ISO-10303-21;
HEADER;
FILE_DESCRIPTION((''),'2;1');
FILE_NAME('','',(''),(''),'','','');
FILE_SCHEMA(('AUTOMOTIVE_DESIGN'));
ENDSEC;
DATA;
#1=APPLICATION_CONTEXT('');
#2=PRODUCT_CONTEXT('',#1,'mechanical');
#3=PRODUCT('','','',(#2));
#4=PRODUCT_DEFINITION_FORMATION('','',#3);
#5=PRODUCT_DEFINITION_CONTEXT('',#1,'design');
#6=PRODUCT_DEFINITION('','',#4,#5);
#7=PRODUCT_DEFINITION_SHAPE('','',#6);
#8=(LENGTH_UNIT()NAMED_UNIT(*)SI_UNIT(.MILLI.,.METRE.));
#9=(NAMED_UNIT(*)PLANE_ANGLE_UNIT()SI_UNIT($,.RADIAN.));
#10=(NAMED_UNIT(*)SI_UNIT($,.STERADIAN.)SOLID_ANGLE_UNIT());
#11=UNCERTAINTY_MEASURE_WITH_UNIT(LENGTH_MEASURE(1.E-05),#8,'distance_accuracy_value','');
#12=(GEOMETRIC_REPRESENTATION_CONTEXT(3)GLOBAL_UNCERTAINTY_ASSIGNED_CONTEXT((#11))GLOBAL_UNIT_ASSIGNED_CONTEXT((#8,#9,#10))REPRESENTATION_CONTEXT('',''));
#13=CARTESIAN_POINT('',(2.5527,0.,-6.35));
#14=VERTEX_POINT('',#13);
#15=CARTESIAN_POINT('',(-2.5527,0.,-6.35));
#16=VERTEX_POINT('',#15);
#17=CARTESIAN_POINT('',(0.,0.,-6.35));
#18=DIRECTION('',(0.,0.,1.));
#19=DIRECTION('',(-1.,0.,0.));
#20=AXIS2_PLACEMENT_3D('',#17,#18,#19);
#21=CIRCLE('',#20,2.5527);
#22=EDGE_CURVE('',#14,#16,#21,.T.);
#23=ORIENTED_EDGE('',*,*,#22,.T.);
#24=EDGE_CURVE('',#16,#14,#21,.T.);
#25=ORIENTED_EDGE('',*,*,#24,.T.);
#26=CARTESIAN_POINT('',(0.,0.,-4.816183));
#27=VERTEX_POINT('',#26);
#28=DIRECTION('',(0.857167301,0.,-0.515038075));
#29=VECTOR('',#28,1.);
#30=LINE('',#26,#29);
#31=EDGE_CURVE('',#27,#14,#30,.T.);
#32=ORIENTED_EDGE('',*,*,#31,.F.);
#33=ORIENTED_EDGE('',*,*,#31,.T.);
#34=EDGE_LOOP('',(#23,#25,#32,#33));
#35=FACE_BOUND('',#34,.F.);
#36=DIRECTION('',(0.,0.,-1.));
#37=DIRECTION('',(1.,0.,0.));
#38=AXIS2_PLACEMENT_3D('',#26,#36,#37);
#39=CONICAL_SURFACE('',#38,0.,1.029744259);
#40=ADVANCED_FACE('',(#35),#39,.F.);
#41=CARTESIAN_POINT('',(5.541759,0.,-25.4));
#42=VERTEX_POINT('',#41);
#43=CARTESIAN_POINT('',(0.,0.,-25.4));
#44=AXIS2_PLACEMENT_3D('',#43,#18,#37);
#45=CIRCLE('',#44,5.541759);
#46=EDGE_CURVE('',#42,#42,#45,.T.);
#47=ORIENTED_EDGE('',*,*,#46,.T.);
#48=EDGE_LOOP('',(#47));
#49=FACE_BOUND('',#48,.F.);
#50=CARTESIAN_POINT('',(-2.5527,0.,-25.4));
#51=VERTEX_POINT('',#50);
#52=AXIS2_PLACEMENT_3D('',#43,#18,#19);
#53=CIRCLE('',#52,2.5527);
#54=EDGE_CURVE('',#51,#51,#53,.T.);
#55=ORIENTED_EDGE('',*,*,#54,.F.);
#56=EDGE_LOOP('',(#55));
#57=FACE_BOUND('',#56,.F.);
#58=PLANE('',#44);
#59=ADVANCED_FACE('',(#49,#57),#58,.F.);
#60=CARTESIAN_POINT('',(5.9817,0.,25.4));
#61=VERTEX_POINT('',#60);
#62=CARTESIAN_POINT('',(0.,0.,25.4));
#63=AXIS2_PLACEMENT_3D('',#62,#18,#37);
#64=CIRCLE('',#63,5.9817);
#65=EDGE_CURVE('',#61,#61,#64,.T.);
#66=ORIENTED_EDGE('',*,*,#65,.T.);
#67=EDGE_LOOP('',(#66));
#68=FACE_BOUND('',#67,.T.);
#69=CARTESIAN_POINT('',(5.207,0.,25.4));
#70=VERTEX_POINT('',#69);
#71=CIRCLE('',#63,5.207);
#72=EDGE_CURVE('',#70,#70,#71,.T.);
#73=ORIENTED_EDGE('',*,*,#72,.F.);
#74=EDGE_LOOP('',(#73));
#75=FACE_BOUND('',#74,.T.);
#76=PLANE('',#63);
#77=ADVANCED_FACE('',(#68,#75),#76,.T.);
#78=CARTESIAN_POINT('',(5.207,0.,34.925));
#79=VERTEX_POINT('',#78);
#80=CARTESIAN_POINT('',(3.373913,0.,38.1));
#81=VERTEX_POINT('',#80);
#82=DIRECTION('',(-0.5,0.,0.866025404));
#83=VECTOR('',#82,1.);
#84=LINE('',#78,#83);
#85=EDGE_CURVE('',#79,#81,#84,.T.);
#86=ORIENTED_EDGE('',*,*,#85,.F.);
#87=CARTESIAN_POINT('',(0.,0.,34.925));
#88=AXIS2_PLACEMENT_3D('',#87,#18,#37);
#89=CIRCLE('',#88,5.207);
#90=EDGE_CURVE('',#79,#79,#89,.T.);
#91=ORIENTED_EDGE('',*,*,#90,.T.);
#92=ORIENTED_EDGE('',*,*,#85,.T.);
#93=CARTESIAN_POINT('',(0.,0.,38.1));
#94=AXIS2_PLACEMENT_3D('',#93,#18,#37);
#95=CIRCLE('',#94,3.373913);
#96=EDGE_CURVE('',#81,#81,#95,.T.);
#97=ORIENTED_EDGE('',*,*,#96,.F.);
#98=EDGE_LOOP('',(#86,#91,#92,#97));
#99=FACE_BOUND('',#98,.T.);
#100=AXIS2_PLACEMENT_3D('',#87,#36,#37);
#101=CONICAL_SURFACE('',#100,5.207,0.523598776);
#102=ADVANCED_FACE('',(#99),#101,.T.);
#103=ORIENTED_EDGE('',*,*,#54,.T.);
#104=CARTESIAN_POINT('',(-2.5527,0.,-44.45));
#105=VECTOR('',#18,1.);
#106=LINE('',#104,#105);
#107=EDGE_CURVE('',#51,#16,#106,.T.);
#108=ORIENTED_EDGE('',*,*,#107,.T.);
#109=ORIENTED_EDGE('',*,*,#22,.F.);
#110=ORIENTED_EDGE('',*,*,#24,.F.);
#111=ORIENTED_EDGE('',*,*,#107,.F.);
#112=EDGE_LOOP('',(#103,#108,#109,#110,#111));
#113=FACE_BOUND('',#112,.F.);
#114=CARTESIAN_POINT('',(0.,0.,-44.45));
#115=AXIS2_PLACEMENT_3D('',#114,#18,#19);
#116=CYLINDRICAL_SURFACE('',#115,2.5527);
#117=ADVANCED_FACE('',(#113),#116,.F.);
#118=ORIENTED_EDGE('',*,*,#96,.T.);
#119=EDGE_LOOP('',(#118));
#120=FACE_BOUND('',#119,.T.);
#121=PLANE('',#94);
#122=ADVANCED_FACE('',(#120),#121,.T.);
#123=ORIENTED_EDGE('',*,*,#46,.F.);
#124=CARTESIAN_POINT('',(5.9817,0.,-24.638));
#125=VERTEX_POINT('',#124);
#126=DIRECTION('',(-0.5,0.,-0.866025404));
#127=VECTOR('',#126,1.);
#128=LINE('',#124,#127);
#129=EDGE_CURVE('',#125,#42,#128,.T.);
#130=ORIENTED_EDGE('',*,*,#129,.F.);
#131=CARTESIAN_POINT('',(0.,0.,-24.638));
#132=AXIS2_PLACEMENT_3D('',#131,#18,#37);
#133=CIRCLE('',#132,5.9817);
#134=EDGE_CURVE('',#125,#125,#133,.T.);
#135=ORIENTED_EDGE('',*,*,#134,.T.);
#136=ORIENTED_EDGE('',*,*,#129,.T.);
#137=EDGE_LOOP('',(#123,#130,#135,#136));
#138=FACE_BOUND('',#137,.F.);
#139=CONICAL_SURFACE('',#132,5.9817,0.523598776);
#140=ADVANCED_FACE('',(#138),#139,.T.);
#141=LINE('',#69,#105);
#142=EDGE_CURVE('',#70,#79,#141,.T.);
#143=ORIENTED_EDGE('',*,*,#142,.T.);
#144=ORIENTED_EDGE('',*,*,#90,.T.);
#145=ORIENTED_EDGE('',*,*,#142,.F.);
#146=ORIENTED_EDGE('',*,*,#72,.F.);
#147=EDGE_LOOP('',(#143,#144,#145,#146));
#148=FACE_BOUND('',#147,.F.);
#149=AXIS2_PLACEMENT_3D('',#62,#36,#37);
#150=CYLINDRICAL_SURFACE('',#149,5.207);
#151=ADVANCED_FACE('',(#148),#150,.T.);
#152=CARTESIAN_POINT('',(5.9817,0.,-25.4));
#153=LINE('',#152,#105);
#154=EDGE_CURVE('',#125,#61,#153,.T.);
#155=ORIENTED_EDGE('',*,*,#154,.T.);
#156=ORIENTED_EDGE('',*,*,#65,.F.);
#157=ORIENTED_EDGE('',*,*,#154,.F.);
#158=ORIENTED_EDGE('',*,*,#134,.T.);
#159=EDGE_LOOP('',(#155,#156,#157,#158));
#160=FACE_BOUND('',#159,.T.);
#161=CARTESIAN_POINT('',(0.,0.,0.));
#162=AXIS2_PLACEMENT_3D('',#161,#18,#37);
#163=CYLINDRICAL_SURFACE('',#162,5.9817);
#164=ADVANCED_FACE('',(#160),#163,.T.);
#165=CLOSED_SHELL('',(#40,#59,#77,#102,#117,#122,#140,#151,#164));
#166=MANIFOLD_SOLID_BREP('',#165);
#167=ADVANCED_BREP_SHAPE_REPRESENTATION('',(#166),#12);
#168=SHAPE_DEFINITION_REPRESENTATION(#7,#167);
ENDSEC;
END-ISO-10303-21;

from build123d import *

# Parameters (mm, degrees)
F0_R     = 5.9817
F1_DEPTH = 25.4
F2_R     = 5.207
F3_DEPTH = 12.7
F4_SIZE2 = 1.8330871047
F4_SIZE  = 3.175
F5_SIZE2 = 0.4399409051
F5_SIZE  = 0.762
F7_D     = 5.1054
F7_DEPTH = 19.05
F7_TIP   = 1.5338169022


with BuildPart() as f1:
    # F0 (on Top) → F1 (new body, symmetric)
    with BuildSketch(Plane.XY):
        Circle(F0_R)
    extrude(amount=F1_DEPTH, both=True)

    # F2 (on face) → F3 (join)
    with BuildSketch(Plane.XY.offset(25.4)):
        Circle(F2_R)
    extrude(amount=F3_DEPTH)

    # F4
    f4_edges = [f1.edges().sort_by_distance(p)[0] for p in [
        (-5.207, 0, 38.1),
    ]]
    f4_side = f1.faces().sort_by_distance((-5.207, 0, 31.75))[0]
    chamfer(f4_edges, length=F4_SIZE, length2=F4_SIZE2, reference=f4_side)

    # F5
    f5_edges = [f1.edges().sort_by_distance(p)[0] for p in [
        (-5.9817, 0, -25.4),
    ]]
    f5_side = f1.faces().sort_by_distance((-5.9817, 0, 0))[0]
    chamfer(f5_edges, length=F5_SIZE, length2=F5_SIZE2, reference=f5_side)

    # F7
    with Locations(Plane(origin=(0, 0, -25.4), x_dir=(1, 0, 0), z_dir=(0, 0, -1))):
        with Locations((0, 0)):
            Hole(F7_D / 2, depth=F7_DEPTH)
            with Locations((0, 0, -(F7_DEPTH + F7_TIP / 2))):  # 118° drill point
                Cone(0, F7_D / 2, F7_TIP, mode=Mode.SUBTRACT)


solid = f1.part
